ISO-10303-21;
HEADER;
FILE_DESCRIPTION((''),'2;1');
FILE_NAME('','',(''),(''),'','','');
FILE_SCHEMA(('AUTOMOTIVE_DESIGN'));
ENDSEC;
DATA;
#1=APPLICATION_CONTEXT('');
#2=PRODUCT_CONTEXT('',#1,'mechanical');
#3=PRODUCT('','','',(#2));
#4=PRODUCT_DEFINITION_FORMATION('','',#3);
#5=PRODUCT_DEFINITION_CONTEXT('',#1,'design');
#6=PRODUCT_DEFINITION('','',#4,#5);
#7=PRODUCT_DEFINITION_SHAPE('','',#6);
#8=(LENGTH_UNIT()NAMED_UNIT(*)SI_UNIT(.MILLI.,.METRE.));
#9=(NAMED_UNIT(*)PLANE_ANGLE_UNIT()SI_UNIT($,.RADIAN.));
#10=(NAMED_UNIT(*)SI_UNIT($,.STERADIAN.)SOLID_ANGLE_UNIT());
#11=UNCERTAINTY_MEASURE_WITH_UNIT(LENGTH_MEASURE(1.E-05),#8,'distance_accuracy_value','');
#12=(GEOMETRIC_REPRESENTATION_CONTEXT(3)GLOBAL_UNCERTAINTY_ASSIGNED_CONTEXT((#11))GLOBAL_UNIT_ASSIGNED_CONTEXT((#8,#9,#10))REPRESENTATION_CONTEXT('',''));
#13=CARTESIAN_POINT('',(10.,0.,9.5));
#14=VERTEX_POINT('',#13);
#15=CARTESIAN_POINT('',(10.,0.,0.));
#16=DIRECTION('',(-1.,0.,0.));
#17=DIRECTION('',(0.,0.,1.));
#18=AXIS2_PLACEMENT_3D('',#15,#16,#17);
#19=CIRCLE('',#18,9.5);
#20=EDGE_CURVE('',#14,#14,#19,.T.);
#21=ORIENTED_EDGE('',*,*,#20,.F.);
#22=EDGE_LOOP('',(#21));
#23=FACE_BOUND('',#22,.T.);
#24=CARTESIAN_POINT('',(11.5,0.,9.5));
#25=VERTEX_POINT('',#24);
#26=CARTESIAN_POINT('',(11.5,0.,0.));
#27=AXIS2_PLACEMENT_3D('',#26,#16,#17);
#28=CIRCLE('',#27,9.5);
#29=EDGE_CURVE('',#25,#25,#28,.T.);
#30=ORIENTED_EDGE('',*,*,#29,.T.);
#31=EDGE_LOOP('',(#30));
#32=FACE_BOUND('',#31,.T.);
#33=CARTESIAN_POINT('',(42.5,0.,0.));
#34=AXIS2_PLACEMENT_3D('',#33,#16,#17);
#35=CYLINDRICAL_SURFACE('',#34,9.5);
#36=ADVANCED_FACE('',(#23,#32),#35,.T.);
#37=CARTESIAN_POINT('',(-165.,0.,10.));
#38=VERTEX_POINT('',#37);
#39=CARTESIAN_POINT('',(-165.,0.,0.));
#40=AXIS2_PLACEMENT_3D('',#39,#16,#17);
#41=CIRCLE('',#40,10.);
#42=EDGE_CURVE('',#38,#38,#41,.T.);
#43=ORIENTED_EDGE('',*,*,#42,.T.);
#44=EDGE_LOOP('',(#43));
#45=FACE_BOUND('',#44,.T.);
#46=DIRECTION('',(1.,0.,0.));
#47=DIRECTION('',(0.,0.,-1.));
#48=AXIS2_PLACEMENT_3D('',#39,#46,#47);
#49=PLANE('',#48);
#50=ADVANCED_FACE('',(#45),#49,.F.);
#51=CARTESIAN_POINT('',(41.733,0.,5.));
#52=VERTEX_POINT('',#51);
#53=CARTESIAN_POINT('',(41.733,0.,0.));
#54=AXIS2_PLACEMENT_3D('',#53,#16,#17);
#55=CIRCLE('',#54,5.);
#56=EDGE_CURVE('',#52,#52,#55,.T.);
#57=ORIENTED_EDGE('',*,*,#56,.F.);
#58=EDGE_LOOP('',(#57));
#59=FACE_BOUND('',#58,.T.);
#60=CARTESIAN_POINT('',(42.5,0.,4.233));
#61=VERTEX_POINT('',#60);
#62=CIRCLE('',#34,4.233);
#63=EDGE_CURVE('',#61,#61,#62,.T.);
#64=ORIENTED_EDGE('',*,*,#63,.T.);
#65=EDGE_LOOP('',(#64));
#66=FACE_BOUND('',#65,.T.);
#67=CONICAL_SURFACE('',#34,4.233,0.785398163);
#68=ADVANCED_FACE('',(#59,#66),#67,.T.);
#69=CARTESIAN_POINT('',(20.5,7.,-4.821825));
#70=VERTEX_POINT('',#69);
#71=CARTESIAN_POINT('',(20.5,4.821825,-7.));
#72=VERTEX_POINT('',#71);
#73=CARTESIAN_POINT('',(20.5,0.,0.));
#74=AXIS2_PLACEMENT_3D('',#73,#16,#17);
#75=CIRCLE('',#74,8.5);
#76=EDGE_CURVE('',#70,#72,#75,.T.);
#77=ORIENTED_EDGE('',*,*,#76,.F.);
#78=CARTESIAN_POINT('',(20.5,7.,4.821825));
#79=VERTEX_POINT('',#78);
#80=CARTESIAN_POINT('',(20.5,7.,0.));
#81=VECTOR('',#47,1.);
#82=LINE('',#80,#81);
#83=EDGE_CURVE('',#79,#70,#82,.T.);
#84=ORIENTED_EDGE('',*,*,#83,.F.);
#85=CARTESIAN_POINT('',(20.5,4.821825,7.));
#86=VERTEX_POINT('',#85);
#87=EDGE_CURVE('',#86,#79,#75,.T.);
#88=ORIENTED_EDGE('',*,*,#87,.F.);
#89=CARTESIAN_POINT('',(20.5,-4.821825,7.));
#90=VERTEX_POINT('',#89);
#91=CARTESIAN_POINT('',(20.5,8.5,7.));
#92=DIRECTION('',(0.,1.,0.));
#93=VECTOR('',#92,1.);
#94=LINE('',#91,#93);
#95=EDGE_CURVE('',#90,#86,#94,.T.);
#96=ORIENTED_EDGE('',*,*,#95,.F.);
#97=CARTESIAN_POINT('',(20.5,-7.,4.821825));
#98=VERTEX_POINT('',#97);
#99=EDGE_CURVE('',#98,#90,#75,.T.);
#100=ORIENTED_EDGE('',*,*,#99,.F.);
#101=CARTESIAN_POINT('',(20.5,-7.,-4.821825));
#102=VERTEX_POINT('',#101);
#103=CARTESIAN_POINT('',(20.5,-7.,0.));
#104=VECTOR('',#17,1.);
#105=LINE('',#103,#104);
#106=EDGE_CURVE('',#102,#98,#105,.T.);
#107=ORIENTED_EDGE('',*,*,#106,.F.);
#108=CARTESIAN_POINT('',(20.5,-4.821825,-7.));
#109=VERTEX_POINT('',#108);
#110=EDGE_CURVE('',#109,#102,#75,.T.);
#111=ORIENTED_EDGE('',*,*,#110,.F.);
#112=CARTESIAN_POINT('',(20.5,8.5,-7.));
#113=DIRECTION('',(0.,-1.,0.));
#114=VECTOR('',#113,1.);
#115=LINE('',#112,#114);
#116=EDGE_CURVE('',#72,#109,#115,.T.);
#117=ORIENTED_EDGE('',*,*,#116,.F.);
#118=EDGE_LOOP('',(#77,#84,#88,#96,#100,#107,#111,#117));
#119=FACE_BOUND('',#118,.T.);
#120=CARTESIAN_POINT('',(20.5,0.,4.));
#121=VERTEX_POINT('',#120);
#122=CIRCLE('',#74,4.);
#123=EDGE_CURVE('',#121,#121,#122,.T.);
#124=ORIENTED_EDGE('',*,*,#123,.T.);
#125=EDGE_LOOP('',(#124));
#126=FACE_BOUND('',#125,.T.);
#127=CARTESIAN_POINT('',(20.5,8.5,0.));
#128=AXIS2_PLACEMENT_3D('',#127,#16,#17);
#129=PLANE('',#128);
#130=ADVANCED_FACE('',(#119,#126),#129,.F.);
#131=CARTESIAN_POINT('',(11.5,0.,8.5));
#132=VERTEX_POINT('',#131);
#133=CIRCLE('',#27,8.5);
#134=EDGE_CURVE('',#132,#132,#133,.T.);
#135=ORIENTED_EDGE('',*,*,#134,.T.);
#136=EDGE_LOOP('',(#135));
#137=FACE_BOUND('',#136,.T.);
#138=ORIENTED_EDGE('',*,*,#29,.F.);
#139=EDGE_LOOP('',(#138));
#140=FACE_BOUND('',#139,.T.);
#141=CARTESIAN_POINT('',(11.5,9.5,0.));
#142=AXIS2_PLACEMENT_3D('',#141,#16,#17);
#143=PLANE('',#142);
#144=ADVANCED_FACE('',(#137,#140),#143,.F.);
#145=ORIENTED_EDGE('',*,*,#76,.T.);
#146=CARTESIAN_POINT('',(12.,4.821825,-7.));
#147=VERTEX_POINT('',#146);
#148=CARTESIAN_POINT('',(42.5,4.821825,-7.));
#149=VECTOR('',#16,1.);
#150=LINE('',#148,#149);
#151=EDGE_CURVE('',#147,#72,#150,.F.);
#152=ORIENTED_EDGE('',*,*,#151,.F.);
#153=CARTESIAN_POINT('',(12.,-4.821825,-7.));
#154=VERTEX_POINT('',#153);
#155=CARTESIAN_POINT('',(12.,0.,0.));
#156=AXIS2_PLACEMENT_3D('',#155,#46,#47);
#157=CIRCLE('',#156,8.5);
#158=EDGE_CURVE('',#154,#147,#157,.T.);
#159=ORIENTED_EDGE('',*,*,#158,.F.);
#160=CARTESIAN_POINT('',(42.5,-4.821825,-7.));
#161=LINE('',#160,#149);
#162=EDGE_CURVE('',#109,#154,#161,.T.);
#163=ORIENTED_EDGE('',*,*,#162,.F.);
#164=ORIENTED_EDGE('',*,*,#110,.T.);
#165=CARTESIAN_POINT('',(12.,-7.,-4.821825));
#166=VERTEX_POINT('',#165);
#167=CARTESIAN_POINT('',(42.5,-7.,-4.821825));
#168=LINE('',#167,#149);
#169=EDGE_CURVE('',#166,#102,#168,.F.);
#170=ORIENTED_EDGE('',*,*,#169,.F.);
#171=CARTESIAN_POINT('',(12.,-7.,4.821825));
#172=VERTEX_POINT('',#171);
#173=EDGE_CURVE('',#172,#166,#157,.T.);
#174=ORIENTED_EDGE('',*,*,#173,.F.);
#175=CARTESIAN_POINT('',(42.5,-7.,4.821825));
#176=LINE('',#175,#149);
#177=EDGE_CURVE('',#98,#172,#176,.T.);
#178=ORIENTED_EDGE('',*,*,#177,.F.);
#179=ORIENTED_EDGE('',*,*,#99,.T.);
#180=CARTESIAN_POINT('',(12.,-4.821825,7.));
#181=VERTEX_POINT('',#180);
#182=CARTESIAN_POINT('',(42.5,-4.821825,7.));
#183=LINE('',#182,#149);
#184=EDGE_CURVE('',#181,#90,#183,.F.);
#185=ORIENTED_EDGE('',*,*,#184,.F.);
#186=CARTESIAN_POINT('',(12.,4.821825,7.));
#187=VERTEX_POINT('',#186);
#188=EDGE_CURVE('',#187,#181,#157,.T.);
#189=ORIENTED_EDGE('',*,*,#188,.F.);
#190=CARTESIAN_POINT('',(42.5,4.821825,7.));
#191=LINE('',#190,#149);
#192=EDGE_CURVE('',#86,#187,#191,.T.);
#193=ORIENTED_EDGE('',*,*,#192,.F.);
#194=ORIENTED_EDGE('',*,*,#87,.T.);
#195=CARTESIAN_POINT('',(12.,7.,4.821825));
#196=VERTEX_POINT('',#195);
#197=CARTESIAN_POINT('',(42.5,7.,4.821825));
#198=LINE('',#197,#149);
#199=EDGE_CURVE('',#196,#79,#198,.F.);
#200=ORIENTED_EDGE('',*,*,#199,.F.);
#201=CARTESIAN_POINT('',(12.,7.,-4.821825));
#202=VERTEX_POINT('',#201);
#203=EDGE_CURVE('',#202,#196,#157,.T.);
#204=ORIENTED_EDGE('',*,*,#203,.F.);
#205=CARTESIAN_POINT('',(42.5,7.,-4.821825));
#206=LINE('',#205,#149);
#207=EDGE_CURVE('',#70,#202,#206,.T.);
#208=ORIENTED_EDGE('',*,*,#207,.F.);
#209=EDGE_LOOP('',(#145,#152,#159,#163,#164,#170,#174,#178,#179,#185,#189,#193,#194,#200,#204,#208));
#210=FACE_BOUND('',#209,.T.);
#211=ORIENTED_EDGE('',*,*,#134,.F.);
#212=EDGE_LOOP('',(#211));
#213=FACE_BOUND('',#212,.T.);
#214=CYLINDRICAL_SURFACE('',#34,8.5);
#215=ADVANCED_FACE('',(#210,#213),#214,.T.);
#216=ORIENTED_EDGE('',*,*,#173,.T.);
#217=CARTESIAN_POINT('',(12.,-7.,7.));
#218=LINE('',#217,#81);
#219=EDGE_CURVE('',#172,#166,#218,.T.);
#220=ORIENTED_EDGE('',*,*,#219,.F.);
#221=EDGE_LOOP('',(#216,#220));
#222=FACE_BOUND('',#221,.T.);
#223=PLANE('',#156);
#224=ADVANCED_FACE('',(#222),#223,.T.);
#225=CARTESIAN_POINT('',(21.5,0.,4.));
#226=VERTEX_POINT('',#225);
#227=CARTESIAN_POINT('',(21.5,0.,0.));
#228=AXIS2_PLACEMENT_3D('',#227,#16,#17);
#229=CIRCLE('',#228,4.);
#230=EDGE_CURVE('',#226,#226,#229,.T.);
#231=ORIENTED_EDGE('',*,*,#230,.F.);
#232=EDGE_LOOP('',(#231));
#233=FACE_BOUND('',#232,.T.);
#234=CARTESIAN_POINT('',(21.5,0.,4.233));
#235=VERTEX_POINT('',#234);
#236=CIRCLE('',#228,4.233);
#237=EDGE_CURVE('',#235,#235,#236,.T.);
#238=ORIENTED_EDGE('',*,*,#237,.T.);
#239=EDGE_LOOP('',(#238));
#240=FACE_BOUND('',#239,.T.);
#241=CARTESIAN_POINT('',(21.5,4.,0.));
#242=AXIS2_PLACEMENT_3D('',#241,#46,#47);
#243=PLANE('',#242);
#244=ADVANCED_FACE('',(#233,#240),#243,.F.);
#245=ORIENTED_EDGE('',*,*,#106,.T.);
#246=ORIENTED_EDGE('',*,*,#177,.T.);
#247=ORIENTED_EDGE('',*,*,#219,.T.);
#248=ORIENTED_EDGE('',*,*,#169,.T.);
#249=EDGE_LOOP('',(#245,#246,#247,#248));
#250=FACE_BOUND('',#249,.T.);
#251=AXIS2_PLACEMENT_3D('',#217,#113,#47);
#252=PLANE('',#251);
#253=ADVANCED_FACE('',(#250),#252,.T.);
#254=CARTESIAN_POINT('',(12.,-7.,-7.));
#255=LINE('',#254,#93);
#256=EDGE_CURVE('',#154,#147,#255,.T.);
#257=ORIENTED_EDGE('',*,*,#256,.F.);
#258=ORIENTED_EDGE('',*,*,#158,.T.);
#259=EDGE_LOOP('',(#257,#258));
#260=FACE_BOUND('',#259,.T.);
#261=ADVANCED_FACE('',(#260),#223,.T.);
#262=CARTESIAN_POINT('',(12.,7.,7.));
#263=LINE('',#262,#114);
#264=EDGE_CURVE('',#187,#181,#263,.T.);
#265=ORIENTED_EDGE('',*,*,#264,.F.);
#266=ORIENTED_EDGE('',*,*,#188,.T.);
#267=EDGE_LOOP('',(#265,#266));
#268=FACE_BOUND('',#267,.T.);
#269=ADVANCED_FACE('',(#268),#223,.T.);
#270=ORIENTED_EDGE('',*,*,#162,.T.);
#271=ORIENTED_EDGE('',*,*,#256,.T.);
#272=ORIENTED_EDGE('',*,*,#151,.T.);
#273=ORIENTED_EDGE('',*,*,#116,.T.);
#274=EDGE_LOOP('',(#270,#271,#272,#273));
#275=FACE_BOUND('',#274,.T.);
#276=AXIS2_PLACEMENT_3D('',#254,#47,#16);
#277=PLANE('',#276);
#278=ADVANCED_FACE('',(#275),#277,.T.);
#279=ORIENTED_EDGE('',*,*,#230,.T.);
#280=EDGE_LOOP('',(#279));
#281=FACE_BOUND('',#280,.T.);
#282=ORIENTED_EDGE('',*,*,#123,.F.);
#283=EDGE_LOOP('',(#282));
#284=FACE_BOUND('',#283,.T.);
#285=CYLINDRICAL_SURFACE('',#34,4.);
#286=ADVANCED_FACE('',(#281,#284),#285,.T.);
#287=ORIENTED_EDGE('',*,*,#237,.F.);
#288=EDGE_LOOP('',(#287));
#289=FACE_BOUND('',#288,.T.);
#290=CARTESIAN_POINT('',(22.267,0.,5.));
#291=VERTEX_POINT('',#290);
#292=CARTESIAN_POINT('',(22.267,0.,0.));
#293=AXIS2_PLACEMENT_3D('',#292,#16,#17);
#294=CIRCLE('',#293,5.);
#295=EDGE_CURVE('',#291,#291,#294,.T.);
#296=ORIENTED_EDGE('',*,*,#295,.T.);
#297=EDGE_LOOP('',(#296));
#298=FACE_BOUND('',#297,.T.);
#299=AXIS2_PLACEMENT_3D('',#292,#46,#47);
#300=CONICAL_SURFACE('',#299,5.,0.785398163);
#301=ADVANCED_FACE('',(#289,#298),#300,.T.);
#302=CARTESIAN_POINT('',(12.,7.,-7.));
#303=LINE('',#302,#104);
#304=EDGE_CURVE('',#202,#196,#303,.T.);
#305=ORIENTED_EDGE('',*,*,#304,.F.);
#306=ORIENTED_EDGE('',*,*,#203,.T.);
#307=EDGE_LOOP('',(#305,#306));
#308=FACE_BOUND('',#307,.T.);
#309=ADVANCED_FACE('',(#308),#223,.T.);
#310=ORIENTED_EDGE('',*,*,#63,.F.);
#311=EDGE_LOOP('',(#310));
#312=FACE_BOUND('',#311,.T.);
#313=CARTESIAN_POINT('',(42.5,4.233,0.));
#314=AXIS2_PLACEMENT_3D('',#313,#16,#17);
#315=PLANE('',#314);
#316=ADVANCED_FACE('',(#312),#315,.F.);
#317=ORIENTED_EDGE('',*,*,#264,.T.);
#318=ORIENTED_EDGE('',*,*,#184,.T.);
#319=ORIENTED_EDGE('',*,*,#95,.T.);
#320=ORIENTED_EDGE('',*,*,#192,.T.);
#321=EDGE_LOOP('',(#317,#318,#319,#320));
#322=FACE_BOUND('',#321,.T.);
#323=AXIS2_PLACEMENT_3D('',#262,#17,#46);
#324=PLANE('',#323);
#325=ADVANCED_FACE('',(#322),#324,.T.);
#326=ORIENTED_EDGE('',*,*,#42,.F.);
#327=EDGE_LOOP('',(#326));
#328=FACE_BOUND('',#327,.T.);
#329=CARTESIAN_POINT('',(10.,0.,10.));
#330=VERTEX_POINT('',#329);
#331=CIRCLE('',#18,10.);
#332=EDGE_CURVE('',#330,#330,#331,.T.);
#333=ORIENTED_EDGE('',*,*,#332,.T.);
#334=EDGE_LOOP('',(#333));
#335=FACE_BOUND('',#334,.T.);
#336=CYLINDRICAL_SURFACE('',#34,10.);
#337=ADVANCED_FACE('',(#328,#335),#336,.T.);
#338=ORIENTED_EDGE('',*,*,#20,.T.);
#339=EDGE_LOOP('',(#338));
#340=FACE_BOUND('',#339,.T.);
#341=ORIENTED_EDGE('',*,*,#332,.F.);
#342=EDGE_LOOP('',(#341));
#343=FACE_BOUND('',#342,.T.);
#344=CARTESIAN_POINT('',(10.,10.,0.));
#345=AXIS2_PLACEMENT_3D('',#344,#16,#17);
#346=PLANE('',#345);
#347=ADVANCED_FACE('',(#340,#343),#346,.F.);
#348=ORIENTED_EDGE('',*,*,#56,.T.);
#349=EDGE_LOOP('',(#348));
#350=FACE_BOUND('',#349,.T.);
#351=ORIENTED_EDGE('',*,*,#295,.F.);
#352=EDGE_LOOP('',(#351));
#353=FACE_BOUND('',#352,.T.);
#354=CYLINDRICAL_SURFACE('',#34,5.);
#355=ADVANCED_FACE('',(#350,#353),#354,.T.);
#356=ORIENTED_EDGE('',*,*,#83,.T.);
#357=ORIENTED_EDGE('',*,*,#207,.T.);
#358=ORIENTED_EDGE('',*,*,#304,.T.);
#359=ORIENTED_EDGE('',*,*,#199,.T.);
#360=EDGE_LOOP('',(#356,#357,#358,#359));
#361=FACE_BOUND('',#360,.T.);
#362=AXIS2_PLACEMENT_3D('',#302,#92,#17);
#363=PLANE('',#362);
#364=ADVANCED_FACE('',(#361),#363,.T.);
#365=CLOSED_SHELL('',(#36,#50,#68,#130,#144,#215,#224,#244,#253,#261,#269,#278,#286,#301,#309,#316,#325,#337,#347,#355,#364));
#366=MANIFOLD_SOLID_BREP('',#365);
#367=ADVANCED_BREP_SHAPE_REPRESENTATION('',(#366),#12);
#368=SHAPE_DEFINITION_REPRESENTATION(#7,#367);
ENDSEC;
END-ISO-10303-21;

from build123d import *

# Parameters (mm, degrees)
SKETCH2_R          = 11
SKETCH2_W          = 14
SKETCH2_H          = 14
CUT_EXTRUDE1_DEPTH = 8.5


with BuildPart() as part:
    # Sketch1 → Revolve1 (revolve)
    with BuildSketch(Plane.XY, mode=Mode.PRIVATE) as revolve1_sk:
        Polygon((-165, 0), (-165, 10), (10, 10), (10, 9.5), (11.5, 9.5), (11.5, 8.5), (20.5, 8.5), (20.5, 4), (21.5, 4), (21.5, 4.233), (22.267, 5), (41.733, 5), (42.5, 4.233), (42.5, 0), align=None)
    revolve(revolve1_sk.sketch.rotate(Axis((42.5, 0, 0), (-1, 0, 0)), 270), axis=Axis((42.5, 0, 0), (-1, 0, 0)))

    # Sketch2 → Cut-Extrude1 (cut)
    with BuildSketch(Plane(origin=(20.5, 0, 0), x_dir=(0, 0, -1), z_dir=(1, 0, 0))):
        Circle(SKETCH2_R)
        Rectangle(SKETCH2_W, SKETCH2_H, mode=Mode.SUBTRACT)
    extrude(amount=-CUT_EXTRUDE1_DEPTH, mode=Mode.SUBTRACT)


solid = part.part
